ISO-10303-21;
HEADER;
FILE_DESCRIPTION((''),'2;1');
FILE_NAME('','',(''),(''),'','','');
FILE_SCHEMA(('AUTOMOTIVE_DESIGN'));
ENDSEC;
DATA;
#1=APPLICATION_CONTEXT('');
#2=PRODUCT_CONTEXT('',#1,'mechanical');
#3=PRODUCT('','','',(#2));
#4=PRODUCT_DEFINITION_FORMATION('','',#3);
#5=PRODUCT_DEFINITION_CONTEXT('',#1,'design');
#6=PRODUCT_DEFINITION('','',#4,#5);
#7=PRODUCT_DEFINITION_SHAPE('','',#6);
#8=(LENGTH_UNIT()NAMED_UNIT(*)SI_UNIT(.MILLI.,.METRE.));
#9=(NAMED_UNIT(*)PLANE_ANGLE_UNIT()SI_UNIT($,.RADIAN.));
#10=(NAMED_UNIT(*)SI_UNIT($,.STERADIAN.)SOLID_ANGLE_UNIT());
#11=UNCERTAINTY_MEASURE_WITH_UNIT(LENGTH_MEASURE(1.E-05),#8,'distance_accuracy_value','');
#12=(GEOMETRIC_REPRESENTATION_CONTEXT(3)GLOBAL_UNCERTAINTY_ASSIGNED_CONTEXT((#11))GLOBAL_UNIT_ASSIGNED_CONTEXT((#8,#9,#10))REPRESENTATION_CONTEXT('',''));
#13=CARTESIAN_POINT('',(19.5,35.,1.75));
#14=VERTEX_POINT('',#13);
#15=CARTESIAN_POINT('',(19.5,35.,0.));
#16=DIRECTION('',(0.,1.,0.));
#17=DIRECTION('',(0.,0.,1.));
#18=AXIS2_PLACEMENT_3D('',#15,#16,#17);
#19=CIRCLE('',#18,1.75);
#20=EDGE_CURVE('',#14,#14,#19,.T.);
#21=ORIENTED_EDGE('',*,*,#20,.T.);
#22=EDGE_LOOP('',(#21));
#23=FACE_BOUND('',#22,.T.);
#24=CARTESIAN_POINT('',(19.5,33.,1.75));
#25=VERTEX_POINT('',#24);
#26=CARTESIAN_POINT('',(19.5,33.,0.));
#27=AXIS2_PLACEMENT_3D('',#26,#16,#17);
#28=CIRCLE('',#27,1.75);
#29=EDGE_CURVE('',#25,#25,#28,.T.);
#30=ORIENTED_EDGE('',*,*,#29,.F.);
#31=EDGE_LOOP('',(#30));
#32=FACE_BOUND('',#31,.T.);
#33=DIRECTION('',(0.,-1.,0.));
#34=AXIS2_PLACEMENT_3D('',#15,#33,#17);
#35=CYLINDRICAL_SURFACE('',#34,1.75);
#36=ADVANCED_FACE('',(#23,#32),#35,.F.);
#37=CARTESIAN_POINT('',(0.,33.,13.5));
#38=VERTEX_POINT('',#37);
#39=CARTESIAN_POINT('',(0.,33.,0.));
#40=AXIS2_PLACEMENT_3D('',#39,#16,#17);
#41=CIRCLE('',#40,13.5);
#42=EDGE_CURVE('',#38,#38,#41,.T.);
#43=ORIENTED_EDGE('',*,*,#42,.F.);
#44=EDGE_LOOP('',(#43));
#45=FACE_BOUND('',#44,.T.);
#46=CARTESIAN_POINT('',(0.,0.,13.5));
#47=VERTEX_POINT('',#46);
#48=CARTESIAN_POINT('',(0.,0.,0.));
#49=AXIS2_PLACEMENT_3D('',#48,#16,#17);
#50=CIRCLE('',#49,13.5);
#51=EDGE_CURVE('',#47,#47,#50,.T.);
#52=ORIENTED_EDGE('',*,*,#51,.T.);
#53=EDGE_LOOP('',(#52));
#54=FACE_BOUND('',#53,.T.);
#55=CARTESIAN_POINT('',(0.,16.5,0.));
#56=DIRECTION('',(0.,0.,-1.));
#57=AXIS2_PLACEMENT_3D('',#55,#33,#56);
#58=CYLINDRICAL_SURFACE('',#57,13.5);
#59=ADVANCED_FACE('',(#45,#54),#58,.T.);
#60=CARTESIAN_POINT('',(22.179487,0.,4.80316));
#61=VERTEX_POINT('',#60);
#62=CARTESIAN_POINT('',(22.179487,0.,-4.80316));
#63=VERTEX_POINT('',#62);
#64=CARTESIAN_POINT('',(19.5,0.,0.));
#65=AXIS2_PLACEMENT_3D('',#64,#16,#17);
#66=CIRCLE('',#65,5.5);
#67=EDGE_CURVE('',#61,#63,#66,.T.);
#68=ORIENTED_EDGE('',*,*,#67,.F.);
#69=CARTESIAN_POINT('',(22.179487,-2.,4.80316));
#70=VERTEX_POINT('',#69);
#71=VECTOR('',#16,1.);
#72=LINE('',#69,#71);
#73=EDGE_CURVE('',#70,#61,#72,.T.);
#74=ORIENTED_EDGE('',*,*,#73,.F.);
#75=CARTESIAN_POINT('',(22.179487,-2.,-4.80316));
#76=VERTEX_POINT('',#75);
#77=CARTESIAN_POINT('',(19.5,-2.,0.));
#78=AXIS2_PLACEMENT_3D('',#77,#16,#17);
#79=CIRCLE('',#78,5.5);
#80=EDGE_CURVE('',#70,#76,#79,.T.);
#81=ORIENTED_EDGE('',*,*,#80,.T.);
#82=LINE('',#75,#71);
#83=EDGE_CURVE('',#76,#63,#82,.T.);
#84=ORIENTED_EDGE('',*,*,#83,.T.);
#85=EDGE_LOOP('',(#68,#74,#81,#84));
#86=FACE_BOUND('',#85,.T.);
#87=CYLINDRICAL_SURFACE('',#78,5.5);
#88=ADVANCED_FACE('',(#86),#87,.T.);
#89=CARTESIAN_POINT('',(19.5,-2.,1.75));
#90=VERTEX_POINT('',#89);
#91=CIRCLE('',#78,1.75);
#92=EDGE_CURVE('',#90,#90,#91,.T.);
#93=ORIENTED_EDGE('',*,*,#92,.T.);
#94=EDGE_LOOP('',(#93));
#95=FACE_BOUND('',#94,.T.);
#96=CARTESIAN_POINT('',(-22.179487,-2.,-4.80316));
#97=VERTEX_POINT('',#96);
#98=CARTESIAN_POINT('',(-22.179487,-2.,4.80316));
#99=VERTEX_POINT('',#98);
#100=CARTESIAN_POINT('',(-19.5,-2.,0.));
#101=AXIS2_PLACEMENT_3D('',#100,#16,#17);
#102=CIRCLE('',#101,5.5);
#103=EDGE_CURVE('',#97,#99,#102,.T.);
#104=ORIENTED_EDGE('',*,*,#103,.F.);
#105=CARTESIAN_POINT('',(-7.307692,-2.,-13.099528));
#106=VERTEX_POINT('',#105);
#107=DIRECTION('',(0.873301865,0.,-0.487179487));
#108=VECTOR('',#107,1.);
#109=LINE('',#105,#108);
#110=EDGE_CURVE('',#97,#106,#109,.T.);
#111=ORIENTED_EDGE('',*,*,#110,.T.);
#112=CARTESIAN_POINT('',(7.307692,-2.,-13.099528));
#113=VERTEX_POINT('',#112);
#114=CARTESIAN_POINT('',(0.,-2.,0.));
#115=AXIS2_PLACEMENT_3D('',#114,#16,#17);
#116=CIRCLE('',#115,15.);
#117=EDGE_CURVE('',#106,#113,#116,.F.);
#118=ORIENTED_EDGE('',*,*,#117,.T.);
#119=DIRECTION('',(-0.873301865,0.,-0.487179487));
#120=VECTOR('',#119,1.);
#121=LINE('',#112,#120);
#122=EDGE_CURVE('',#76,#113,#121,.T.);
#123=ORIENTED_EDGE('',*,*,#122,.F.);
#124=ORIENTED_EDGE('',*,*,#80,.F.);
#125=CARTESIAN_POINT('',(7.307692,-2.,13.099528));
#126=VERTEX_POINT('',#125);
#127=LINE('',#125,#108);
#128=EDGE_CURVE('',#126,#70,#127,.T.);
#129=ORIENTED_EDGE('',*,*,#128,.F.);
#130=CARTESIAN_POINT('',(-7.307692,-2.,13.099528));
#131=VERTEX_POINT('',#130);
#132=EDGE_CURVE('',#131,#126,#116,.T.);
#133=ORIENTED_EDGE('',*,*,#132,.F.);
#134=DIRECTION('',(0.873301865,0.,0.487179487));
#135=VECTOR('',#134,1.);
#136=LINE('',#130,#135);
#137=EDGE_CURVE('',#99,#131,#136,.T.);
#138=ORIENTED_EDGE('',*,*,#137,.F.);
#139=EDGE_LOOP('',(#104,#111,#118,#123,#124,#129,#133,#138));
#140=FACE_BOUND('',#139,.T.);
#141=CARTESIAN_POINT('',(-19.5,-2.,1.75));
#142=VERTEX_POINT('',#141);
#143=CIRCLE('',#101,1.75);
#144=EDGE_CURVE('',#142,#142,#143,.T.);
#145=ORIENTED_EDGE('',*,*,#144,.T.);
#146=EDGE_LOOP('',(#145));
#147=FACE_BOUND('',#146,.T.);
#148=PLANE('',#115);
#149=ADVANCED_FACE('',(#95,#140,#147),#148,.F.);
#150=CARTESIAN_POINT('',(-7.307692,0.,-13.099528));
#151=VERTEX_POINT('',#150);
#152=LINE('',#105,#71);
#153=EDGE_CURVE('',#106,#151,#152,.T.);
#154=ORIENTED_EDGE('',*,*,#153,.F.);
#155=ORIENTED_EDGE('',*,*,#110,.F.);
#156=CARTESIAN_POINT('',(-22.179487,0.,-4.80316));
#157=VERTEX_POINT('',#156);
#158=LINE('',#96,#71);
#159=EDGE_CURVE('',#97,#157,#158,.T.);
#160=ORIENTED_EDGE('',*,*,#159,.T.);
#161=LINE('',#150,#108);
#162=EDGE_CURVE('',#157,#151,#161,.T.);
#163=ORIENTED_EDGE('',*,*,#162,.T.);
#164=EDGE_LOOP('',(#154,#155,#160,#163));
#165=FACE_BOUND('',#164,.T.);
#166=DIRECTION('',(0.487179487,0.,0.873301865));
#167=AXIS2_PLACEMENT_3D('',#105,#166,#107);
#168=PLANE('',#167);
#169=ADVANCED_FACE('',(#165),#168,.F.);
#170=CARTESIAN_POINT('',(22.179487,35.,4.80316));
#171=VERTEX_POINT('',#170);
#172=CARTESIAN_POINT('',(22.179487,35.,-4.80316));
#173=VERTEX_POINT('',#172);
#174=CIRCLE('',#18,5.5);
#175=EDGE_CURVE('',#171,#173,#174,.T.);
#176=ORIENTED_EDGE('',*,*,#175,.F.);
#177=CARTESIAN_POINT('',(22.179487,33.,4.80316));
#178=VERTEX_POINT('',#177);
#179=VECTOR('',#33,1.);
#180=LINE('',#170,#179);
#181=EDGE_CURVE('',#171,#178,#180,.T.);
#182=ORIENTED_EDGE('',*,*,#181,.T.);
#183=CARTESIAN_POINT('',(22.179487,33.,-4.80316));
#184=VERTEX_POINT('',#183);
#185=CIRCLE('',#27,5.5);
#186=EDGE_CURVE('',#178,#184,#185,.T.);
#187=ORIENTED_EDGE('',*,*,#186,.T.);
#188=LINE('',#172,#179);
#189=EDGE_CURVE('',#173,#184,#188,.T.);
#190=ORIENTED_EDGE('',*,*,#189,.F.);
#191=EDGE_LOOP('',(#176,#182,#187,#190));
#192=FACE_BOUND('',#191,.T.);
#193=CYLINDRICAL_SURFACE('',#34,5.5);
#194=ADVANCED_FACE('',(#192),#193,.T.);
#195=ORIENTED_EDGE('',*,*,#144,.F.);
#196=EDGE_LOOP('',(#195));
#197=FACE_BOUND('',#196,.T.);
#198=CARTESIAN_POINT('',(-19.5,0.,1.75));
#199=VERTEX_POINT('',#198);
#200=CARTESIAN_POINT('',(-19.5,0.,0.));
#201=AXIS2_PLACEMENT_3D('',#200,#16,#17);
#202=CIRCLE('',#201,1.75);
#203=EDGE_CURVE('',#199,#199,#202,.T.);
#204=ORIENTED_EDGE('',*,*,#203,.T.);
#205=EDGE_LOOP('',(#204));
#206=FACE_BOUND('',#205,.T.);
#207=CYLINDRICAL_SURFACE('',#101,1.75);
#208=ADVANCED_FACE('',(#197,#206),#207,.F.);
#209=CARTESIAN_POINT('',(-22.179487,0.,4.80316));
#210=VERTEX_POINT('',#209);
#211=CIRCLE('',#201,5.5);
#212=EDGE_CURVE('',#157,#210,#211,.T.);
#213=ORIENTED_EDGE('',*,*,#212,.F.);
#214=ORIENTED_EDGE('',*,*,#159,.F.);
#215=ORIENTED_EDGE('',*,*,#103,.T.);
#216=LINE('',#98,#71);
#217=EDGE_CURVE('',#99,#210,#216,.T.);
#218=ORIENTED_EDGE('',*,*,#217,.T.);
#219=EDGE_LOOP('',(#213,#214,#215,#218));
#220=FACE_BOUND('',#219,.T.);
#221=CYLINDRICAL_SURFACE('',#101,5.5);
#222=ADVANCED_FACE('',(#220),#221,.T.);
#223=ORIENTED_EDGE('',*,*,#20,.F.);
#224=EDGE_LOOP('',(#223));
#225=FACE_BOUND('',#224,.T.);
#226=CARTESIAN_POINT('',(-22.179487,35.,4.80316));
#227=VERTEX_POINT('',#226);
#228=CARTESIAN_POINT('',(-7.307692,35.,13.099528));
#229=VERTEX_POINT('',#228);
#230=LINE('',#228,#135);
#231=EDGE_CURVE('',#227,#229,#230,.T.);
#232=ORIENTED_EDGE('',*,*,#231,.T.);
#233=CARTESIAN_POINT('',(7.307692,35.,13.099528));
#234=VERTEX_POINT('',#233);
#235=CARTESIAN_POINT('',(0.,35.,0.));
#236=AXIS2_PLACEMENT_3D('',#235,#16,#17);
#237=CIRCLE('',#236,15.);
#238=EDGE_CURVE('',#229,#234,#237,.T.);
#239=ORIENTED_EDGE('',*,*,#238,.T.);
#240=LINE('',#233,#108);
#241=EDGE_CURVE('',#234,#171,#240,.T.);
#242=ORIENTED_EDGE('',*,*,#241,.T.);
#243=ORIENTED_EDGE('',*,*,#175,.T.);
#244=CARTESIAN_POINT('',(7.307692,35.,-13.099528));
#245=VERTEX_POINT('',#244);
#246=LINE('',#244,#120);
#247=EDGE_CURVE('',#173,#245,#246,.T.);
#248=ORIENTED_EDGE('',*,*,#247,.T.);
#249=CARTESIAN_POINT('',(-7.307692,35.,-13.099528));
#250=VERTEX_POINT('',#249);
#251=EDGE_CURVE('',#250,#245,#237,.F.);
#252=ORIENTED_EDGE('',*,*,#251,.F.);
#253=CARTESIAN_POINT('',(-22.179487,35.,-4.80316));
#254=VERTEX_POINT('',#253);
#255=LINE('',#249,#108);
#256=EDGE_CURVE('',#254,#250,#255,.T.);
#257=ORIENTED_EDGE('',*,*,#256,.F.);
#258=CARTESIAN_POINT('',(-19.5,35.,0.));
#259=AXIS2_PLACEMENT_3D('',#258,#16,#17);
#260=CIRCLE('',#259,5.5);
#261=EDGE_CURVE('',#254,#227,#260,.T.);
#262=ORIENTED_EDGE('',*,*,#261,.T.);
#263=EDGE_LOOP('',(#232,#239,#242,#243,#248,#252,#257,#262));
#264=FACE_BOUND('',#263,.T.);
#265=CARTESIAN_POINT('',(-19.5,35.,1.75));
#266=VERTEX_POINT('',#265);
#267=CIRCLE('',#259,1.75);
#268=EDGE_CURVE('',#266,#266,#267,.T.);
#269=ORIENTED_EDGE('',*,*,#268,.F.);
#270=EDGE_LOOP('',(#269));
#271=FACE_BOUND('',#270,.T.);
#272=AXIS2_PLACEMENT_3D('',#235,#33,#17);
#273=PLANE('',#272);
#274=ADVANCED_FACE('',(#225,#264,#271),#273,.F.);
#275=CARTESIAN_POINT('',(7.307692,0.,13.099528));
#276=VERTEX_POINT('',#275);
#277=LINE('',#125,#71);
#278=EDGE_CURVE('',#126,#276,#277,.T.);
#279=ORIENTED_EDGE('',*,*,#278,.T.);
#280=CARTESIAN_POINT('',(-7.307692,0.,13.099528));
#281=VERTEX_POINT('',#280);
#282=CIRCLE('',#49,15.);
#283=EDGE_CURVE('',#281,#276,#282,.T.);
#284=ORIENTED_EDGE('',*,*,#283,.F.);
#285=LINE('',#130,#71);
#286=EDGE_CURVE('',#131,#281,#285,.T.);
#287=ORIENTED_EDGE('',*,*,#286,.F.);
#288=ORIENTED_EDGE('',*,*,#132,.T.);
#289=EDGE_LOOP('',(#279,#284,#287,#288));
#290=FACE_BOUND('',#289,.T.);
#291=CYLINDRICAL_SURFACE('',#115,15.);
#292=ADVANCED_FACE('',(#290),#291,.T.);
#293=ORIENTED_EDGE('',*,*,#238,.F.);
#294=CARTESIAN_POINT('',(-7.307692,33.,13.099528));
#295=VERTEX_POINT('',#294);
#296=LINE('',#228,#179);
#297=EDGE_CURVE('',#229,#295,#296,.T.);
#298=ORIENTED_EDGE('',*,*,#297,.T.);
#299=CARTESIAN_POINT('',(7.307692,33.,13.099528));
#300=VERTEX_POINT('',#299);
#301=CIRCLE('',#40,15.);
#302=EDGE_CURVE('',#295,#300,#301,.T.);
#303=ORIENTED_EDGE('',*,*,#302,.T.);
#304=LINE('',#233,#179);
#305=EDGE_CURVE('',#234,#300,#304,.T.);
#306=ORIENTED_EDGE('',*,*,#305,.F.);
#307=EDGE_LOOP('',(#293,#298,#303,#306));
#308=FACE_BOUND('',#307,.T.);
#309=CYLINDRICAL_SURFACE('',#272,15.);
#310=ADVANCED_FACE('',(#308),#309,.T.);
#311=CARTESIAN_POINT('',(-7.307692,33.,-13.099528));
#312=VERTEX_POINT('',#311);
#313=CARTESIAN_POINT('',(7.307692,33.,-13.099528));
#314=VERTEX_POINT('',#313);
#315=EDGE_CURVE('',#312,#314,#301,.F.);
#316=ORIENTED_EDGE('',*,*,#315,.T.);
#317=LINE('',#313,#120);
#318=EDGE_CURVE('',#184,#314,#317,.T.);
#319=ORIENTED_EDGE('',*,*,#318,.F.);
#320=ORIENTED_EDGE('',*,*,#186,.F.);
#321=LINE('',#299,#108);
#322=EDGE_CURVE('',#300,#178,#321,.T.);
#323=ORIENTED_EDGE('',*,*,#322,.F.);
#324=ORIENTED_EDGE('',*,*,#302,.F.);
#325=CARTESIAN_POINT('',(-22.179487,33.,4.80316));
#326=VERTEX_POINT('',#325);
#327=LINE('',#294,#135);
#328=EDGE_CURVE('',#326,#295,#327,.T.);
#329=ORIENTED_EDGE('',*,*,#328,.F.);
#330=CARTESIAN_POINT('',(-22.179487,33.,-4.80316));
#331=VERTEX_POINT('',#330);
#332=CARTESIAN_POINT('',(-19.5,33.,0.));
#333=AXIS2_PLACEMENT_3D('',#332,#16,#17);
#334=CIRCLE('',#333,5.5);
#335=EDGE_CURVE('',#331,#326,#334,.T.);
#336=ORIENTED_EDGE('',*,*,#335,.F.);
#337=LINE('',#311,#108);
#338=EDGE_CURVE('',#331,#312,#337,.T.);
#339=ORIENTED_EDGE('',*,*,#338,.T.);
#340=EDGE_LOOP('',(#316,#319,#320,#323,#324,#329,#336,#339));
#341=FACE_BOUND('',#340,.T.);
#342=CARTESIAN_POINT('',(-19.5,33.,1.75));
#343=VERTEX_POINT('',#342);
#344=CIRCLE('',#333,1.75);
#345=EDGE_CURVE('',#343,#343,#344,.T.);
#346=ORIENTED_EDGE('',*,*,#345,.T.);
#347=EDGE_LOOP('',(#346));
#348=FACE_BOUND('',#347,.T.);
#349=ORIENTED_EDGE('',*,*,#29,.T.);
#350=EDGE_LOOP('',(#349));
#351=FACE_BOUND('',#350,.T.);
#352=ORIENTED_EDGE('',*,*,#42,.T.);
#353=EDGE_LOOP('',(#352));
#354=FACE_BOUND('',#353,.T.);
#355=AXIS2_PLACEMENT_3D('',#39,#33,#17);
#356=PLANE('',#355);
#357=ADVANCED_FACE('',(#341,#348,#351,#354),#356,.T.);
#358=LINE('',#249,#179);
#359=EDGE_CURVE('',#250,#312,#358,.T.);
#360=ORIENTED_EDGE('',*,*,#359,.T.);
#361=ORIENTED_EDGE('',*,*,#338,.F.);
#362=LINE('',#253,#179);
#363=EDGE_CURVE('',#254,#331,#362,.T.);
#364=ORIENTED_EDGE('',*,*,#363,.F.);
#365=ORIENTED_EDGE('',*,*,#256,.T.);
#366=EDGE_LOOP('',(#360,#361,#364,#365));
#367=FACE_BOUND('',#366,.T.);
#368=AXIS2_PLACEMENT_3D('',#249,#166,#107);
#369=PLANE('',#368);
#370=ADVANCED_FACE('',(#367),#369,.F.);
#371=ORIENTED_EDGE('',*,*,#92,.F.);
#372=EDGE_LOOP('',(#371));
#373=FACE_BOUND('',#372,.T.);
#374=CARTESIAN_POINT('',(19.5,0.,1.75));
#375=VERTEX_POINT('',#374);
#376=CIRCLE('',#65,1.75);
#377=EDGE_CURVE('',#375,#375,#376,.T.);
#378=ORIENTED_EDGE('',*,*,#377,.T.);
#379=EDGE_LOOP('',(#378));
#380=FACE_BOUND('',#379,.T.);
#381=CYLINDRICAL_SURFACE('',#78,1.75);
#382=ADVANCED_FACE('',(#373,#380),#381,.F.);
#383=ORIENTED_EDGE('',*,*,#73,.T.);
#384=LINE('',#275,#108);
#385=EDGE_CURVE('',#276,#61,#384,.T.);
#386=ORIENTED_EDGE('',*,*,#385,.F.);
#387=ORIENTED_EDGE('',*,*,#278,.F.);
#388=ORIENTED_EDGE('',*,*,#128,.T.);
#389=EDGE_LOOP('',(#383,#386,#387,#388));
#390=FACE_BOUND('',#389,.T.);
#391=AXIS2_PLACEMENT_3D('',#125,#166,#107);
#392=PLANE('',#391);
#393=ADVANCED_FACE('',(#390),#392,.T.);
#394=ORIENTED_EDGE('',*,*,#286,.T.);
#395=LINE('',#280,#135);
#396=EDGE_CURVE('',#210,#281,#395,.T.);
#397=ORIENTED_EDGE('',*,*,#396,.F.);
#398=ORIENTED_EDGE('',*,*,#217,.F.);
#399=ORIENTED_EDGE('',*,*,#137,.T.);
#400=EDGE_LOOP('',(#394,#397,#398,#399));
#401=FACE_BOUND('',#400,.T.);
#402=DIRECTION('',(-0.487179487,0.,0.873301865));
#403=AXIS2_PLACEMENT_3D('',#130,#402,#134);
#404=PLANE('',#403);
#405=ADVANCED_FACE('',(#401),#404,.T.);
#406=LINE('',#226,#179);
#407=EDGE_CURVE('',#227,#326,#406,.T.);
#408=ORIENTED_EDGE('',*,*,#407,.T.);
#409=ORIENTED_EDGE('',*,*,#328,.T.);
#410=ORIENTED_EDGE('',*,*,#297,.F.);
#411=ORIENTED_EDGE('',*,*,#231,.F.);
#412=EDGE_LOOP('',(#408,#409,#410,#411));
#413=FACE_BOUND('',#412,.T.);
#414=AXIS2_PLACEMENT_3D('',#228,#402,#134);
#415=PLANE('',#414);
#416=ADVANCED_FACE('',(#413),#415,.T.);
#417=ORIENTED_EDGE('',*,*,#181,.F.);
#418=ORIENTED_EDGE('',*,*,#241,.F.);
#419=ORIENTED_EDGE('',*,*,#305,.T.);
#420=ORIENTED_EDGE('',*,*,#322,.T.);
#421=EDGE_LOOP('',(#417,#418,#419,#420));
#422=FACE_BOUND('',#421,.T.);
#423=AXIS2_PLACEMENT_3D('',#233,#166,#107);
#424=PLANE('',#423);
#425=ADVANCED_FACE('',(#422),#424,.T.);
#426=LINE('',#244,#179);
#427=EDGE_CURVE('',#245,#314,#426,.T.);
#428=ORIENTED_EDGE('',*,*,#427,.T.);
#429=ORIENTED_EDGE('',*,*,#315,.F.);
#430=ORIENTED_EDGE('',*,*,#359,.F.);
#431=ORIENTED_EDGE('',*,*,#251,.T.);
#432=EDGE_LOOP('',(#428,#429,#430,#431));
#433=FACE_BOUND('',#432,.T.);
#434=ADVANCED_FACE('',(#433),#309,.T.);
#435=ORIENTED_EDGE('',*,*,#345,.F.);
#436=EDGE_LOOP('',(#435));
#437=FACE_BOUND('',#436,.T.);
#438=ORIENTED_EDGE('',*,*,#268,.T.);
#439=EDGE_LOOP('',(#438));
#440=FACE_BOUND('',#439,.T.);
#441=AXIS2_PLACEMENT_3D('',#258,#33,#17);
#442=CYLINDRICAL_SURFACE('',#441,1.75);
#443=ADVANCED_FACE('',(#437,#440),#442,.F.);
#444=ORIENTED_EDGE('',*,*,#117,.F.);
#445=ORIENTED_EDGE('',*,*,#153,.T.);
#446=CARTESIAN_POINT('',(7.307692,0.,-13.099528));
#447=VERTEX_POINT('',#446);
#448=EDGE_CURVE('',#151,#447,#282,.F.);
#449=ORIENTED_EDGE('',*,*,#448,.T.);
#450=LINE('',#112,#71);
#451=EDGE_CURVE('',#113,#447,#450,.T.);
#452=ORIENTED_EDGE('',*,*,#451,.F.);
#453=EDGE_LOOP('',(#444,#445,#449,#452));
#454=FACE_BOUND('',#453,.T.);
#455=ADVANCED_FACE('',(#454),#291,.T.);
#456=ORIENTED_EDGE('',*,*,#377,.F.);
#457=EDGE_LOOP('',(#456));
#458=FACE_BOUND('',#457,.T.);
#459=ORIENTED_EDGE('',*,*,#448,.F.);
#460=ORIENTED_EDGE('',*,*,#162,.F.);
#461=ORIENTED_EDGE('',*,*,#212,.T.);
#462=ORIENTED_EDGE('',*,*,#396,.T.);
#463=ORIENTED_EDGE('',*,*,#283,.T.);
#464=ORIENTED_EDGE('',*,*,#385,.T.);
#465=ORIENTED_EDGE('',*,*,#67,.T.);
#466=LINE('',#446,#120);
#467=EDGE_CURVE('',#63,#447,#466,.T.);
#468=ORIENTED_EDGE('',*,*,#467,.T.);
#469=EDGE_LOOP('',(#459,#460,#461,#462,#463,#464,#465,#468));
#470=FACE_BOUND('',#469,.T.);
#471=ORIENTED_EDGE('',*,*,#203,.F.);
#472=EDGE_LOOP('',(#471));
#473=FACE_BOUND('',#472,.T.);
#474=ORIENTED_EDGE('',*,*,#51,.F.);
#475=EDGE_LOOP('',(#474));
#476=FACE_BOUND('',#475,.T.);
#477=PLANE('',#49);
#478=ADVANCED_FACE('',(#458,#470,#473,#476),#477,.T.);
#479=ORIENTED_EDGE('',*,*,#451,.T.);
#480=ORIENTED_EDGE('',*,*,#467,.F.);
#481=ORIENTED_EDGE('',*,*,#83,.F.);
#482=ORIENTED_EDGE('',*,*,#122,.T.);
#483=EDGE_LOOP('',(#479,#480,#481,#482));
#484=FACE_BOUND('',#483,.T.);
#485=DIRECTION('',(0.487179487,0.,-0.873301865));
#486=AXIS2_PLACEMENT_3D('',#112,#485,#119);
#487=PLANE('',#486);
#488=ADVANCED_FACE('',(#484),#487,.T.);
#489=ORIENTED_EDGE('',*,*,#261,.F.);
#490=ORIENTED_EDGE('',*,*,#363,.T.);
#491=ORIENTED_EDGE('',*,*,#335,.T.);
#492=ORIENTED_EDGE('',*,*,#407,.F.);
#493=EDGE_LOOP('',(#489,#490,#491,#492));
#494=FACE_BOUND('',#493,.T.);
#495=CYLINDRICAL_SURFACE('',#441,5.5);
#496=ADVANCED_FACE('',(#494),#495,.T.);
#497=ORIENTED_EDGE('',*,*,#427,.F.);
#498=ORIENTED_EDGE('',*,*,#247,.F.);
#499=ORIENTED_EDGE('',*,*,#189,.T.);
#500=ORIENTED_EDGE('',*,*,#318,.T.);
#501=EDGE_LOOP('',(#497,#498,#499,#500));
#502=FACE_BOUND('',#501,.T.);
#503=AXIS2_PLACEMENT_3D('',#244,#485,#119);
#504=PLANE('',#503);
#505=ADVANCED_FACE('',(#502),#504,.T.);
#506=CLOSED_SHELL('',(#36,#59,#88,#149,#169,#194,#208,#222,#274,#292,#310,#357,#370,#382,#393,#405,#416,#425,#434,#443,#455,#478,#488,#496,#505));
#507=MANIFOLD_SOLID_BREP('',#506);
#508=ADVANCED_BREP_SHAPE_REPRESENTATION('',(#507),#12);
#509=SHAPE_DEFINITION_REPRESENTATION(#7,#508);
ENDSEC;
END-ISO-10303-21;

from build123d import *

# Parameters (mm, degrees)
SKETCH_1_R      = 1.75
EXTRUDE_1_DEPTH = 2
SKETCH_1_3_R    = 13.5
EXTRUDE_2_DEPTH = 16.5


with BuildPart() as part:
    # 草图1 → 凸台-拉伸1 (new body)
    with BuildSketch(Plane(origin=(0, 0, 0), x_dir=(1, 0, 0), z_dir=(0, 1, 0))):
        with BuildLine():
            Line((-7.307692308, 13.099527974), (-22.179487179, 4.803160257))
            ThreePointArc((-22.179487179, 4.803160257), (-25, 0), (-22.179487179, -4.803160257))
            Line((-22.179487179, -4.803160257), (-7.307692308, -13.099527974))
            ThreePointArc((-7.307692308, -13.099527974), (0, -15), (7.307692308, -13.099527974))
            Line((7.307692308, -13.099527974), (22.179487179, -4.803160257))
            ThreePointArc((22.179487179, -4.803160257), (25, 0), (22.179487179, 4.803160257))
            Line((22.179487179, 4.803160257), (7.307692308, 13.099527974))
            ThreePointArc((7.307692308, 13.099527974), (0, 15), (-7.307692308, 13.099527974))
        make_face()
        with Locations((-19.5, 0)):
            Circle(SKETCH_1_R, mode=Mode.SUBTRACT)
        with Locations((19.5, 0)):
            Circle(SKETCH_1_R, mode=Mode.SUBTRACT)
    extrude(amount=-EXTRUDE_1_DEPTH)

    # 草图1<3> → 凸台-拉伸2 (add)
    with BuildSketch(Plane(origin=(0, 0, 0), x_dir=(1, 0, 0), z_dir=(0, 1, 0))):
        Circle(SKETCH_1_3_R)
    extrude(amount=EXTRUDE_2_DEPTH)

    # 镜向3: part across plane


with BuildPart() as part_1:
    add(part.part)
    add(part.part.mirror(Plane.ZX.offset(16.5)))


solid = part_1.part
